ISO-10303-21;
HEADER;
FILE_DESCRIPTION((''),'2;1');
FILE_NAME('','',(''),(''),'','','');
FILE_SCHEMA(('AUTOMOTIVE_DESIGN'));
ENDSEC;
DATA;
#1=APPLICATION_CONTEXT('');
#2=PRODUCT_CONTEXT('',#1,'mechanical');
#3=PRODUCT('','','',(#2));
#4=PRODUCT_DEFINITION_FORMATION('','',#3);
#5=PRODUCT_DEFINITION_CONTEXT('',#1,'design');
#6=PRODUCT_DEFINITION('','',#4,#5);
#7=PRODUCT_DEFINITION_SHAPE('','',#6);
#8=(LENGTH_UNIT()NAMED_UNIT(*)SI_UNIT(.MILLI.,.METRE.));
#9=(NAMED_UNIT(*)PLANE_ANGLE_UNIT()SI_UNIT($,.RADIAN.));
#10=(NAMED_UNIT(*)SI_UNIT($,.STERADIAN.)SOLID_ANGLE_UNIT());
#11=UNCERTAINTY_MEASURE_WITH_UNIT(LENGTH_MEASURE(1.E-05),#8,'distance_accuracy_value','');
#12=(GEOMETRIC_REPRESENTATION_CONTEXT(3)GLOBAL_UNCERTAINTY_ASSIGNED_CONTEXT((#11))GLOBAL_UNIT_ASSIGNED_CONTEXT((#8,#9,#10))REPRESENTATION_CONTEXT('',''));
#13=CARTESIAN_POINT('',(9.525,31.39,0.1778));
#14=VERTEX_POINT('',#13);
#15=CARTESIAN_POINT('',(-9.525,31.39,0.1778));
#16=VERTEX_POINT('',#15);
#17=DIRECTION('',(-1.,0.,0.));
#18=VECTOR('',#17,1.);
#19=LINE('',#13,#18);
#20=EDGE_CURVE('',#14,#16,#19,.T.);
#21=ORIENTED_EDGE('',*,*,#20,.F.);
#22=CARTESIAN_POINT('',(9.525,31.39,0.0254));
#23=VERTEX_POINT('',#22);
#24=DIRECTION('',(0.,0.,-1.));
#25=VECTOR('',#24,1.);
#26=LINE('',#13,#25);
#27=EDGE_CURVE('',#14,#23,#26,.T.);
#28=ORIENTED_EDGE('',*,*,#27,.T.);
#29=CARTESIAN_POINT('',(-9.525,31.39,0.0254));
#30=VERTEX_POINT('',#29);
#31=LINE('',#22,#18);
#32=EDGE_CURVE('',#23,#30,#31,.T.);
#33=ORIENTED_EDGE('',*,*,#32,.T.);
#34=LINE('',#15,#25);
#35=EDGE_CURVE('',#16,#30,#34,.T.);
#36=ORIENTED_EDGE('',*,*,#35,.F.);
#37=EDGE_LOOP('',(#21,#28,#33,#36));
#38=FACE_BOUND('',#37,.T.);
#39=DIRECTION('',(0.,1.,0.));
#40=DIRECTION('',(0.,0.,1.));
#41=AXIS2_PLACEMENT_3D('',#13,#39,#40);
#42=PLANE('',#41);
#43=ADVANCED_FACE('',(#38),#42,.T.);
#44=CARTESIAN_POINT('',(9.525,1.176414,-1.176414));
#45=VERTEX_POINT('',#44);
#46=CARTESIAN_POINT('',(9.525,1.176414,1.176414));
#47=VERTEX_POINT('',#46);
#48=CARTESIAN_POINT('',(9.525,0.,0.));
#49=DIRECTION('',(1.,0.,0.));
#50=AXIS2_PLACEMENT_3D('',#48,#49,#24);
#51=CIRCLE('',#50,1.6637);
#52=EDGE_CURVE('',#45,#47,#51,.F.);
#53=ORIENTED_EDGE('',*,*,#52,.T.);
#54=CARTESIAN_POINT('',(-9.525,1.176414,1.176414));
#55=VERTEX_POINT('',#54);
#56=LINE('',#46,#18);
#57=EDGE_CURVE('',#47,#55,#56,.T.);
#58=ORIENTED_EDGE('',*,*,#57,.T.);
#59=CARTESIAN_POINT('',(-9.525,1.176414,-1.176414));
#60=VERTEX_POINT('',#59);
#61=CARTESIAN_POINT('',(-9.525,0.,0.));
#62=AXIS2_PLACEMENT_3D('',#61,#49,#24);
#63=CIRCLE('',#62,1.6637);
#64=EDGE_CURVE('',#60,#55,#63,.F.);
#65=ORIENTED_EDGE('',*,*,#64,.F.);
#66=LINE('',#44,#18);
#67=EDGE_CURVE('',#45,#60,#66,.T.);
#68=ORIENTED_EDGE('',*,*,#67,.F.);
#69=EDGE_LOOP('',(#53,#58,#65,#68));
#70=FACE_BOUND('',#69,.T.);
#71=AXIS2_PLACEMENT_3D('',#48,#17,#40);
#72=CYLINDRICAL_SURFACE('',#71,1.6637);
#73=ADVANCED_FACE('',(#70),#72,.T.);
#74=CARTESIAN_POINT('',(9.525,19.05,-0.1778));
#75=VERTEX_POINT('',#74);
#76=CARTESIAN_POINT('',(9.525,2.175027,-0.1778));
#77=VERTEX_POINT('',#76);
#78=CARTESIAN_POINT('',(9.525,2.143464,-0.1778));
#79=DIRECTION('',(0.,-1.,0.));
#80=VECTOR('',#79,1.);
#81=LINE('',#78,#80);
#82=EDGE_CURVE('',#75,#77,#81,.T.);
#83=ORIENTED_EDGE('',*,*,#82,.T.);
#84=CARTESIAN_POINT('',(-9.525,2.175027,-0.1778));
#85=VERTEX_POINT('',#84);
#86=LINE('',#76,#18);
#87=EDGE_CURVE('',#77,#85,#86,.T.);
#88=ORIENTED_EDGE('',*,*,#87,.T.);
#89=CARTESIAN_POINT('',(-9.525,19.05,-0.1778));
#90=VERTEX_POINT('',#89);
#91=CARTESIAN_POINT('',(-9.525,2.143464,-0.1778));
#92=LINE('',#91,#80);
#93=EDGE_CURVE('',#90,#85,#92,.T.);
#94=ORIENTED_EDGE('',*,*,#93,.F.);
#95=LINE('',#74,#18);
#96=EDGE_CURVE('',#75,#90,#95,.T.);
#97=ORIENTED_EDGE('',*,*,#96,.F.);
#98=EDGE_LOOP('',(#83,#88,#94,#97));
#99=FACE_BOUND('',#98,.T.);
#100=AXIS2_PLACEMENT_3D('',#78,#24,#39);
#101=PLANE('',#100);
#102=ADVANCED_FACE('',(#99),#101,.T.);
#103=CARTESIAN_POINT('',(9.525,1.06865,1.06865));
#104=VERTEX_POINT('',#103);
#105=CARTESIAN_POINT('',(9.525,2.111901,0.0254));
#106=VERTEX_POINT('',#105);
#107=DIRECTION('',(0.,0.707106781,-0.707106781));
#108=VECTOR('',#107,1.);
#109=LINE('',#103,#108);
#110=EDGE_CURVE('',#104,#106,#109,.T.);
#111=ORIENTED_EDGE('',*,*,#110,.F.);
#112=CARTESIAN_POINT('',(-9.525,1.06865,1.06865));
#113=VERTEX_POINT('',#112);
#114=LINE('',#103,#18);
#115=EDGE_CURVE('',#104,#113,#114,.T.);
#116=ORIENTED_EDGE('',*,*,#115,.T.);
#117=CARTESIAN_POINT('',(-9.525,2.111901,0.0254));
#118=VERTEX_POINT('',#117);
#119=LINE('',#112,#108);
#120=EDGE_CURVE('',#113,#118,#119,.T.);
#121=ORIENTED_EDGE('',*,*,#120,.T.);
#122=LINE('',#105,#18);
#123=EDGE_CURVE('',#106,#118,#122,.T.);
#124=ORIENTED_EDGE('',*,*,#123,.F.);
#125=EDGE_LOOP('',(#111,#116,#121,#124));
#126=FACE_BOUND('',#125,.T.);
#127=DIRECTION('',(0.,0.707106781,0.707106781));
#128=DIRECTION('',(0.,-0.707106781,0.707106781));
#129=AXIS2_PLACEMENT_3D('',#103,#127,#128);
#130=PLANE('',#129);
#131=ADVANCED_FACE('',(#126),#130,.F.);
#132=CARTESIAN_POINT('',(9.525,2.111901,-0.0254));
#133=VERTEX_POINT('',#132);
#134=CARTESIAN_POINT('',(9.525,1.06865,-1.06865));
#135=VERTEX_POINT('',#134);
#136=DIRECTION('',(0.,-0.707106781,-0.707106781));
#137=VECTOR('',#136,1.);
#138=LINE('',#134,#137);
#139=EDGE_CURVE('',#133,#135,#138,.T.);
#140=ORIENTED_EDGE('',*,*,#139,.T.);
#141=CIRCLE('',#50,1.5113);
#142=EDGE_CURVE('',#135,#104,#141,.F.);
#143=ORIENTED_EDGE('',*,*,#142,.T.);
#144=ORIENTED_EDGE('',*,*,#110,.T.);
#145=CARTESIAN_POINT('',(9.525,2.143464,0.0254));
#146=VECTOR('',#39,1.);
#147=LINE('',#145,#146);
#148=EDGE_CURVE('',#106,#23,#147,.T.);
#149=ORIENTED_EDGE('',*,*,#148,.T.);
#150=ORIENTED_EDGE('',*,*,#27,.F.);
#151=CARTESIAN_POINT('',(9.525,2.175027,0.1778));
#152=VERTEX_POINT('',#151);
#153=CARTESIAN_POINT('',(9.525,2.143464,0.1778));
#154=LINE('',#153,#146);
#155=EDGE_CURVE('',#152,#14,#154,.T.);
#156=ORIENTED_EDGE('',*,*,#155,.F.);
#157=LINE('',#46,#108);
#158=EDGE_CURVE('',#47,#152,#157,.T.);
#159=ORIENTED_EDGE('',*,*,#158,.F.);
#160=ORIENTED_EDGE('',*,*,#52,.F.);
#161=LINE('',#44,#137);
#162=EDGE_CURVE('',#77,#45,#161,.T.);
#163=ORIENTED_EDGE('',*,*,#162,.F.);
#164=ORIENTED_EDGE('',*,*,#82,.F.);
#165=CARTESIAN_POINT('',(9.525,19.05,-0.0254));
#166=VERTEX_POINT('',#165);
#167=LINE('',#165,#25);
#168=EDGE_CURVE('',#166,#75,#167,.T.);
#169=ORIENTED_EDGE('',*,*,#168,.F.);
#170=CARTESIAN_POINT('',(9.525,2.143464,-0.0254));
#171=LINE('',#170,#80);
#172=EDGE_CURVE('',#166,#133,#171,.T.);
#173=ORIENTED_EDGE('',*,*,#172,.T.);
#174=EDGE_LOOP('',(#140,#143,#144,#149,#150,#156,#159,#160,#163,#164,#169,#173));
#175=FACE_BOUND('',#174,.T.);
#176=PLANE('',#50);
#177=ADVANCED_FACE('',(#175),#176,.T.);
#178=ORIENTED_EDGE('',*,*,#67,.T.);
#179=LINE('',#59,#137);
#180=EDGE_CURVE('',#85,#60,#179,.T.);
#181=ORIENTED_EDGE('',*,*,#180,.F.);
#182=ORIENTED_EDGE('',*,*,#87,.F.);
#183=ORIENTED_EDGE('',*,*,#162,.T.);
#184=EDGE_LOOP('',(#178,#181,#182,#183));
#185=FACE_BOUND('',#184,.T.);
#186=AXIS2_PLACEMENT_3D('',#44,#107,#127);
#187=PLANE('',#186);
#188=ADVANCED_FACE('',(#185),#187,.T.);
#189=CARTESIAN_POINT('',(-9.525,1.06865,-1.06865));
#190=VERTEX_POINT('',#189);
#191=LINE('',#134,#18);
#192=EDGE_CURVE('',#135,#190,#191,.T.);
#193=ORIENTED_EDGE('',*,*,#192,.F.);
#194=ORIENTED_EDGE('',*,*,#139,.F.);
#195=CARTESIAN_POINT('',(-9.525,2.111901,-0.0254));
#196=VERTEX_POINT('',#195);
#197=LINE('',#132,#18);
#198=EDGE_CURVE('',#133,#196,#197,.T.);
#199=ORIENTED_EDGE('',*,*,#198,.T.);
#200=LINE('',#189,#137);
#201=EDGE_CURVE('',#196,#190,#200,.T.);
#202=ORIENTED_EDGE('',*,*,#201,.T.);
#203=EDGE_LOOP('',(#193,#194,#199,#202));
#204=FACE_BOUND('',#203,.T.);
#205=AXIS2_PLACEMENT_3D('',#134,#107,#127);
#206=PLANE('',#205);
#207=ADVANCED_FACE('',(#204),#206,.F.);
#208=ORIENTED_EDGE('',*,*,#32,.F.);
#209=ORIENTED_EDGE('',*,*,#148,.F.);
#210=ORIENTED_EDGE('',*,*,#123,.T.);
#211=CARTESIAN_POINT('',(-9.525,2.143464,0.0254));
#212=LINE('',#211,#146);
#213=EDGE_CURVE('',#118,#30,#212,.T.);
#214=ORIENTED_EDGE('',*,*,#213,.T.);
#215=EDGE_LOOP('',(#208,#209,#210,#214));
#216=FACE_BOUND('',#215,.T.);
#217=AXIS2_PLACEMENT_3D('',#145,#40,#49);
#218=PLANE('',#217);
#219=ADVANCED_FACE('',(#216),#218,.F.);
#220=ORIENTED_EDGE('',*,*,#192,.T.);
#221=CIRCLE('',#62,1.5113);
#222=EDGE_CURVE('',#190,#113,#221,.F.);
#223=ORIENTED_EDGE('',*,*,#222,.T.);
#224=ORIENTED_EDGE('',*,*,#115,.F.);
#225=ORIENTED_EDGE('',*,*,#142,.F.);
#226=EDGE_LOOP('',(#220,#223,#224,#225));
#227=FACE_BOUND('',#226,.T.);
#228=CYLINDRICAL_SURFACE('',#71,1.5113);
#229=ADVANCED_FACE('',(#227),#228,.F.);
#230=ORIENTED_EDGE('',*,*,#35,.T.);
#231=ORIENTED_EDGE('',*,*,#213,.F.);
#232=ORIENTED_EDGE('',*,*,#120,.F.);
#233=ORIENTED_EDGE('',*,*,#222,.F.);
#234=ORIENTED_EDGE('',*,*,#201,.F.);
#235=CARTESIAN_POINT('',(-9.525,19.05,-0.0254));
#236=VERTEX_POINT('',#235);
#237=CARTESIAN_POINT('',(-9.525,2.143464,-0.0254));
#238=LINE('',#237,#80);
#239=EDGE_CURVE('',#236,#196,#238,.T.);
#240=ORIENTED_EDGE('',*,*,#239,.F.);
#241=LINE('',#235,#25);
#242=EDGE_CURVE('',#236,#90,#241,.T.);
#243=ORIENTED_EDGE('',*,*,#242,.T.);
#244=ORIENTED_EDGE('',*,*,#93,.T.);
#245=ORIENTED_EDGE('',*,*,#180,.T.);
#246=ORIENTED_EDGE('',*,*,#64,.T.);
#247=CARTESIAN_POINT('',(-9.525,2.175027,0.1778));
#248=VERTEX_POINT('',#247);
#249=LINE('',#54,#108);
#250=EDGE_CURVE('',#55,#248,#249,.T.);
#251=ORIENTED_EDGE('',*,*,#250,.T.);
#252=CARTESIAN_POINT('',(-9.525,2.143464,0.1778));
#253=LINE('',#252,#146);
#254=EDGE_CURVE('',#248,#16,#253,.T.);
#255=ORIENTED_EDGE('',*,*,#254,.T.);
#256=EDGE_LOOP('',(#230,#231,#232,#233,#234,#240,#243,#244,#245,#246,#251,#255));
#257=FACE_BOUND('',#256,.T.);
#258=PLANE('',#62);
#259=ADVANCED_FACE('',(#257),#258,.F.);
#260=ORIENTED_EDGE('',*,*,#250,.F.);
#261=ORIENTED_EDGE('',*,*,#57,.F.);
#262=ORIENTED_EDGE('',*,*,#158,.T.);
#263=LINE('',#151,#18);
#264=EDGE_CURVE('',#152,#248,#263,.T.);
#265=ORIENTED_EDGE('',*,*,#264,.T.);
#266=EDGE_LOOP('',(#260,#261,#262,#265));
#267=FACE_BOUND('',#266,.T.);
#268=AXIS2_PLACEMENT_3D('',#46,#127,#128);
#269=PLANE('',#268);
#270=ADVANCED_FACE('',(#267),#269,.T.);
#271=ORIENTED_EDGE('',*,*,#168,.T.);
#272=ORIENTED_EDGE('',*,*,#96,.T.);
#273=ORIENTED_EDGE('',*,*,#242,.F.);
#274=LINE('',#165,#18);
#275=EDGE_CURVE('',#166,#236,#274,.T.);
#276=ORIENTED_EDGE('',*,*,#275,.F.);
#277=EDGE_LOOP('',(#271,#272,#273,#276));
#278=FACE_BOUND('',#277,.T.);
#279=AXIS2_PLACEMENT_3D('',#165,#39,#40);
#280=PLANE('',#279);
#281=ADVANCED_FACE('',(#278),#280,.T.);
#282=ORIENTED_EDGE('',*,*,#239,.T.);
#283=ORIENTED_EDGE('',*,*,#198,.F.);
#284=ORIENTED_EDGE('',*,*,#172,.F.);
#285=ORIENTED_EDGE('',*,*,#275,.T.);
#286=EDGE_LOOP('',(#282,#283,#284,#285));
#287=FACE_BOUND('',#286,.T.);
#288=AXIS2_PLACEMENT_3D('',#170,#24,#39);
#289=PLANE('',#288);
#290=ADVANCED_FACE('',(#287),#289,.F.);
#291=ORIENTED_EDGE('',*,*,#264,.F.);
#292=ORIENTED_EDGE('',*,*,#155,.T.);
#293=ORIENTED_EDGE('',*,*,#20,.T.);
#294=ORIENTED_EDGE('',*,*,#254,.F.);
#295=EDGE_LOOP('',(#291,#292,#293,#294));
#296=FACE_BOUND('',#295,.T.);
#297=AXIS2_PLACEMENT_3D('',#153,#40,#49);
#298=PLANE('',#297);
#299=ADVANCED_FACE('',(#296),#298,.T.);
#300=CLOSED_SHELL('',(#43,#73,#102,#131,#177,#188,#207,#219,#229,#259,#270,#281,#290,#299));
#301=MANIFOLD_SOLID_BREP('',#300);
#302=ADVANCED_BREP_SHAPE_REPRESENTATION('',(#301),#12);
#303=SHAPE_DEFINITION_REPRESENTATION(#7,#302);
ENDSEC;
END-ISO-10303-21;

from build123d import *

# Parameters (mm, degrees)
EXTRUDE_THIN1_DEPTH = 9.525


with BuildPart() as part:
    # Sketch1 → Extrude-Thin1 (new, symmetric)
    with BuildSketch(Plane(origin=(0, 0, 0), x_dir=(0, 0, -1), z_dir=(1, 0, 0))):
        with BuildLine():
            Line((-0.1778, 31.39), (-0.1778, 2.175027104))
            Line((-0.1778, 2.175027104), (-1.176413552, 1.176413552))
            ThreePointArc((-1.176413552, 1.176413552), (0, -1.6637), (1.176413552, 1.176413552))
            Line((1.176413552, 1.176413552), (0.1778, 2.175027104))
            Line((0.1778, 2.175027104), (0.1778, 19.05))
            Line((0.1778, 19.05), (0.0254, 19.05))
            Line((0.0254, 19.05), (0.0254, 2.111900957))
            Line((0.0254, 2.111900957), (1.068650478, 1.068650478))
            ThreePointArc((1.068650478, 1.068650478), (0, -1.5113), (-1.068650478, 1.068650478))
            Line((-1.068650478, 1.068650478), (-0.0254, 2.111900957))
            Line((-0.0254, 2.111900957), (-0.0254, 31.39))
            Line((-0.0254, 31.39), (-0.1778, 31.39))
        make_face()
    extrude(amount=EXTRUDE_THIN1_DEPTH, both=True)


solid = part.part
